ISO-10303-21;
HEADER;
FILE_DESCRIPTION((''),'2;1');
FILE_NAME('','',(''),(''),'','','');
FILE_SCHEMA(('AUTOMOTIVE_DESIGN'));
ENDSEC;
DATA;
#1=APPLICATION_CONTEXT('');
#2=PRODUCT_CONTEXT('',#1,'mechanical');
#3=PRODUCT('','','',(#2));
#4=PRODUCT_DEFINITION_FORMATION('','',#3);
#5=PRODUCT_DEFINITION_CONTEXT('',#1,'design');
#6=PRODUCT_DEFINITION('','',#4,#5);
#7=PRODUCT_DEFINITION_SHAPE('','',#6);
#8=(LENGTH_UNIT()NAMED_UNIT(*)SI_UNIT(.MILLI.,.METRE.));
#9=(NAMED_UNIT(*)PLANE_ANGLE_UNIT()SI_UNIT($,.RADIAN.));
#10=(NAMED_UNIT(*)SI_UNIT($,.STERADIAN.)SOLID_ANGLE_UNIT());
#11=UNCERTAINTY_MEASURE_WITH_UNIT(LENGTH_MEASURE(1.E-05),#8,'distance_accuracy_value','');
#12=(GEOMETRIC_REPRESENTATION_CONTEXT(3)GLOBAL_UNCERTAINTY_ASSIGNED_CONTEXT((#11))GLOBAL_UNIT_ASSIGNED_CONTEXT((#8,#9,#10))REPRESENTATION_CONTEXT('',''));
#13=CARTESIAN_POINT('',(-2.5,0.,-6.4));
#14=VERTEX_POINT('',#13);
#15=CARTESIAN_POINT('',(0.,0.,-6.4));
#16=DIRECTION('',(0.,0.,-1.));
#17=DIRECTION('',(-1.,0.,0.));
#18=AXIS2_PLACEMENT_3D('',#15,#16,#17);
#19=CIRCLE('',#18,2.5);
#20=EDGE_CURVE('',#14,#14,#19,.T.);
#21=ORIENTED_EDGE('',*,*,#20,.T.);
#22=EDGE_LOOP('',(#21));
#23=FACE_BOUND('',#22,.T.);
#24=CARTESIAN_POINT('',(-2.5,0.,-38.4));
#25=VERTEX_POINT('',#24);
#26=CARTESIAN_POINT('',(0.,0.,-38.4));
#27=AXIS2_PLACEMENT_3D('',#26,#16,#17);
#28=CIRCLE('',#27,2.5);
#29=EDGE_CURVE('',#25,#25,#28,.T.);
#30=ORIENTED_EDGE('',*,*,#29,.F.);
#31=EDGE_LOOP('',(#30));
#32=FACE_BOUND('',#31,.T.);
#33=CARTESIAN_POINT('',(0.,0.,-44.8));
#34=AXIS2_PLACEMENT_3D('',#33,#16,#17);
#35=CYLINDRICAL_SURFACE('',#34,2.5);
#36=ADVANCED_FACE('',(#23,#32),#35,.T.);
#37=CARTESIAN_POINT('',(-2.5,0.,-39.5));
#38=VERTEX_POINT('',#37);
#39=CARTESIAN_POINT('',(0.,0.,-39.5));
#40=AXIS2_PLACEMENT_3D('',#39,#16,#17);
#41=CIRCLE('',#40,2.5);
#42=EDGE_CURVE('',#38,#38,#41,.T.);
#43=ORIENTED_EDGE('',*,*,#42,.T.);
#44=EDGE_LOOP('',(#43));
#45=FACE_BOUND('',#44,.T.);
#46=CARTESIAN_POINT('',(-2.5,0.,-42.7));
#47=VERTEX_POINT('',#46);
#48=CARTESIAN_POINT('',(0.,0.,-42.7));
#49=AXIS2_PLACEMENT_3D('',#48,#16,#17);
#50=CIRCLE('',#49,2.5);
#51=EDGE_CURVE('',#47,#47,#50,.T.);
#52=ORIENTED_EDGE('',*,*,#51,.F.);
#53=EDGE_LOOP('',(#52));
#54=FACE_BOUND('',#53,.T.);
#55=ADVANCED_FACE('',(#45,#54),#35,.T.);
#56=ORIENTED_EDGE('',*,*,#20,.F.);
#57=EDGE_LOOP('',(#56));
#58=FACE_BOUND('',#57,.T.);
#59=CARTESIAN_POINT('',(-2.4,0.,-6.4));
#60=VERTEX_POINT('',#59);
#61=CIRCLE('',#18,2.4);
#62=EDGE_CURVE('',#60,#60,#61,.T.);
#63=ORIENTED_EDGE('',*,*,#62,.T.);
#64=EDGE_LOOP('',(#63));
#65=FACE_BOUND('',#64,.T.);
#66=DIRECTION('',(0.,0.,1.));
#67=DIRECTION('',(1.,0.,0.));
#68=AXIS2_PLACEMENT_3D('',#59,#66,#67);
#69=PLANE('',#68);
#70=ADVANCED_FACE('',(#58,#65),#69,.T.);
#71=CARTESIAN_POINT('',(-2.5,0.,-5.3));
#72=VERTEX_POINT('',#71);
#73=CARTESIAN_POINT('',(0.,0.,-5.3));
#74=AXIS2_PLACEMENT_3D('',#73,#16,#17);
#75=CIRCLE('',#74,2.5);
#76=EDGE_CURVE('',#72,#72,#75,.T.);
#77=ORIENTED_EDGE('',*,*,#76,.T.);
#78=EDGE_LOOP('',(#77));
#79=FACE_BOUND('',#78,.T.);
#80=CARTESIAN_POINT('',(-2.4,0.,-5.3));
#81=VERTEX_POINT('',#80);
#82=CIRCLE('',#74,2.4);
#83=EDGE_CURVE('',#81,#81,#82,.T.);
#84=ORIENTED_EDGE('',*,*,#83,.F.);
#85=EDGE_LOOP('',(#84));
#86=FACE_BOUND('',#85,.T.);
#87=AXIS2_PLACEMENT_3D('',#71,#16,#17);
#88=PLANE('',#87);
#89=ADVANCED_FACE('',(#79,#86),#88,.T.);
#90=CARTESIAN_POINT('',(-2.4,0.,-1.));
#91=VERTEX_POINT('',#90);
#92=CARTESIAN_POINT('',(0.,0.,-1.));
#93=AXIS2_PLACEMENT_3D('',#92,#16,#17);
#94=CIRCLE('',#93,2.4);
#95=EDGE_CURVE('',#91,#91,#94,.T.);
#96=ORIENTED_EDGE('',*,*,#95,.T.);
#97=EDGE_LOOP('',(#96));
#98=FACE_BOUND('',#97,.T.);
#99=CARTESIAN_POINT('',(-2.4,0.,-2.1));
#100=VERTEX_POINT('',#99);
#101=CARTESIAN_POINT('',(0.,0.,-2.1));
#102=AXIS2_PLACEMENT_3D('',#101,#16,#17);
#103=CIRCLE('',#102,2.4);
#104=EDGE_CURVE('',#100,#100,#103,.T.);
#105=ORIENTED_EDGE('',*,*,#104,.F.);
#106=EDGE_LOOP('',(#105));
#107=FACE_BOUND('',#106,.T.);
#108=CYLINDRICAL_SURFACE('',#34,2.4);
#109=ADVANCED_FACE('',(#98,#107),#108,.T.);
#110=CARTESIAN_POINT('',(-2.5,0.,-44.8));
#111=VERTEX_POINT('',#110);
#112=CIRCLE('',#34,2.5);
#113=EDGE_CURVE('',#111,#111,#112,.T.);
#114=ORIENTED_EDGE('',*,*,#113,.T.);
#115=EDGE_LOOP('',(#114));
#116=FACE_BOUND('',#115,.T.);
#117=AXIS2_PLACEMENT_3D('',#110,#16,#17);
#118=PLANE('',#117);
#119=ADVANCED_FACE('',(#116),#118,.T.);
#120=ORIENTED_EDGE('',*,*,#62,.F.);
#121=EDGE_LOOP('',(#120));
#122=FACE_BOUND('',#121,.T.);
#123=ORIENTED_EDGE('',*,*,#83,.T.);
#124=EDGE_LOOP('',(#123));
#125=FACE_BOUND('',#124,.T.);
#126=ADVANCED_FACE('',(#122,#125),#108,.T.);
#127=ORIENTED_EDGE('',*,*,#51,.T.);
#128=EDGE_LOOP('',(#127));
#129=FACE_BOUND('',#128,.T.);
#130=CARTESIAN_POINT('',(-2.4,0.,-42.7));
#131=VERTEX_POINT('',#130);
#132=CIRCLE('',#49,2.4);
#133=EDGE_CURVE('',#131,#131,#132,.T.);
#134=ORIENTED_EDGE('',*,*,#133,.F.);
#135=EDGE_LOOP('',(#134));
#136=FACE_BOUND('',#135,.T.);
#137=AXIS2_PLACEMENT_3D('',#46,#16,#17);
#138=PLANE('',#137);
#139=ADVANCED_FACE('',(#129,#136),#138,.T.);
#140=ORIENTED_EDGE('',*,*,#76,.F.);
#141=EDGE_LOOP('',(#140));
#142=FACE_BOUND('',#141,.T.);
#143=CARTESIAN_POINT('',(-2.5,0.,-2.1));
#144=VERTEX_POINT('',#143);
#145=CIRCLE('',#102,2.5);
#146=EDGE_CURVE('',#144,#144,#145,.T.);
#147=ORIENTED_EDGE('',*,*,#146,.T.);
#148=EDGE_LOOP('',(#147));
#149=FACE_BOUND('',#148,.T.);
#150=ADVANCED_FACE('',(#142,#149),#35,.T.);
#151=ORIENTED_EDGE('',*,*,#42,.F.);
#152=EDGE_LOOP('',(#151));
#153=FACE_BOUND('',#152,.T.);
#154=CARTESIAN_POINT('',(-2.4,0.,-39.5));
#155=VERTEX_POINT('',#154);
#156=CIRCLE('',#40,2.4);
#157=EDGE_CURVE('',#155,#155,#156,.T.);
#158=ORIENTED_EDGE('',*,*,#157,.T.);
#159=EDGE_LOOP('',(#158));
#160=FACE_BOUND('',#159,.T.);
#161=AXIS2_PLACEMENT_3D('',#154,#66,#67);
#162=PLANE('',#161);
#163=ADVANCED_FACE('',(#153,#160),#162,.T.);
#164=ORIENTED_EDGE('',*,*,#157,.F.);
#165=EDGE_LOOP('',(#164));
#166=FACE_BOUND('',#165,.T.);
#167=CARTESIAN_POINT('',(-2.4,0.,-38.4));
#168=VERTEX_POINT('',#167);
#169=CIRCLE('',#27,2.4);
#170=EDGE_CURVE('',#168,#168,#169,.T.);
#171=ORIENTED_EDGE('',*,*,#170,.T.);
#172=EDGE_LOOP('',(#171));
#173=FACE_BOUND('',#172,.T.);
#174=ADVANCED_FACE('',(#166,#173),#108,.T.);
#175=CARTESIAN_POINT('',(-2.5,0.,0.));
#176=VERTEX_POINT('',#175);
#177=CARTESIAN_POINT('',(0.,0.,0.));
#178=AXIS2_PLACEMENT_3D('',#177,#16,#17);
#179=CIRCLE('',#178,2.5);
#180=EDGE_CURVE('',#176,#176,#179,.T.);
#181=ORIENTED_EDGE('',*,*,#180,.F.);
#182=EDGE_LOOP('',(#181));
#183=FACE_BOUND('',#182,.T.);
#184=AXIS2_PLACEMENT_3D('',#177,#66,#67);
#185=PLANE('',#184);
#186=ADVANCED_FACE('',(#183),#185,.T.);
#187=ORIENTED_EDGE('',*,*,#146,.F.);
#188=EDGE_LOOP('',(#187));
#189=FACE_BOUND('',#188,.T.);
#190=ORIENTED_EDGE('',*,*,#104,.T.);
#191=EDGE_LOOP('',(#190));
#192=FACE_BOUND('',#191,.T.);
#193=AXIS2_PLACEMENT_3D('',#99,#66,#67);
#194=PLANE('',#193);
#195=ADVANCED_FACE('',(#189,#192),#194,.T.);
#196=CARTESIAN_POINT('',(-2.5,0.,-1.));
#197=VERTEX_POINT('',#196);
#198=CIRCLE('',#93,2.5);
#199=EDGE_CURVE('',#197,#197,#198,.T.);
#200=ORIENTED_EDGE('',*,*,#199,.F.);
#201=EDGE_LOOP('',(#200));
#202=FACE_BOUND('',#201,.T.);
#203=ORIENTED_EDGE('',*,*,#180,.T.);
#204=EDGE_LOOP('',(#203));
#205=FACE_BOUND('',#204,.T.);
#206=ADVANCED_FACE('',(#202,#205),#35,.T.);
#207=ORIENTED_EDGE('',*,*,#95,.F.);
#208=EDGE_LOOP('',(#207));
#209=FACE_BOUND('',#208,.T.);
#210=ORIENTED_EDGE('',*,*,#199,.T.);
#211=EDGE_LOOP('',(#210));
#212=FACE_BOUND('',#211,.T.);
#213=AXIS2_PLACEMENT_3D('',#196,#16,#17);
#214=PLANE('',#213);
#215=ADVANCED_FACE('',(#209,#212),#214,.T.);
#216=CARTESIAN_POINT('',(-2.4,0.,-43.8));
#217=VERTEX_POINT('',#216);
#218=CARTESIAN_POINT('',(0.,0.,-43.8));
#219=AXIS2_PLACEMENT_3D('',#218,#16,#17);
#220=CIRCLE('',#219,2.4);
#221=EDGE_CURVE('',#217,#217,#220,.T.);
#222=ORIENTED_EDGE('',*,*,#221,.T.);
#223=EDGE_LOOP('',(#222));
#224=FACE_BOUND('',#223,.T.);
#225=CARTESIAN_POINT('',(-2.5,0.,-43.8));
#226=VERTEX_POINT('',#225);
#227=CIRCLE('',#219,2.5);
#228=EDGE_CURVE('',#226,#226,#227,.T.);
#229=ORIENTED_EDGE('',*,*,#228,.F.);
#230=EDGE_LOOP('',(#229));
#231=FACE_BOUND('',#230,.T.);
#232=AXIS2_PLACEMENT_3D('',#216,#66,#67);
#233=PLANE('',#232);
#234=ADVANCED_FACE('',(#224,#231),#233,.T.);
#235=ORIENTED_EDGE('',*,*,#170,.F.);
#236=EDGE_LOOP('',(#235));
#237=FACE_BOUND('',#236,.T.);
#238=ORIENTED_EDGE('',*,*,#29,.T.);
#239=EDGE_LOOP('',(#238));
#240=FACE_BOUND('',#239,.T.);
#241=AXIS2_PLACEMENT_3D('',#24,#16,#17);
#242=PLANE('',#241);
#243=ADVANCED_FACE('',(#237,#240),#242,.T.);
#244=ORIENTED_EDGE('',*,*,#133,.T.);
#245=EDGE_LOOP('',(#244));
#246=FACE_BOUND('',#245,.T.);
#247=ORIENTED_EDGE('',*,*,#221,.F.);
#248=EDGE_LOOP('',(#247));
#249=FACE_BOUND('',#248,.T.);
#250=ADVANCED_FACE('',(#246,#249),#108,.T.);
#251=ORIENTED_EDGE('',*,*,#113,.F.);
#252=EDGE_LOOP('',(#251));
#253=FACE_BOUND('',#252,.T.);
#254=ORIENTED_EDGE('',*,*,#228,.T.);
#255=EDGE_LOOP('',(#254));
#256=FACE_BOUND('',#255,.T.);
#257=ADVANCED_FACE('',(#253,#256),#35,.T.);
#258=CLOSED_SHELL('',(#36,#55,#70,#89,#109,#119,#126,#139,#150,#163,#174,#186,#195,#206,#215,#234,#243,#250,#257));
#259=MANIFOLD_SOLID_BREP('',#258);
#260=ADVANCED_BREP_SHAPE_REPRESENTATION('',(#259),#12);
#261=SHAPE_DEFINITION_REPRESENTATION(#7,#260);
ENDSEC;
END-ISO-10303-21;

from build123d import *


with BuildPart() as part:
    # Sketch1 → Revolve1 (revolve)
    with BuildSketch(Plane(origin=(0, 0, 0), x_dir=(1, 0, 0), z_dir=(0, 1, 0))):
        Polygon((0, 0), (-2.5, 0), (-2.5, 1), (-2.4, 1), (-2.4, 2.1), (-2.5, 2.1), (-2.5, 5.3), (-2.4, 5.3), (-2.4, 6.4), (-2.5, 6.4), (-2.5, 38.4), (-2.4, 38.4), (-2.4, 39.5), (-2.5, 39.5), (-2.5, 42.7), (-2.4, 42.7), (-2.4, 43.8), (-2.5, 43.8), (-2.5, 44.8), (0, 44.8), align=None)
    revolve(axis=Axis((0, 0, -44.8), (0, 0, 1)))


solid = part.part
